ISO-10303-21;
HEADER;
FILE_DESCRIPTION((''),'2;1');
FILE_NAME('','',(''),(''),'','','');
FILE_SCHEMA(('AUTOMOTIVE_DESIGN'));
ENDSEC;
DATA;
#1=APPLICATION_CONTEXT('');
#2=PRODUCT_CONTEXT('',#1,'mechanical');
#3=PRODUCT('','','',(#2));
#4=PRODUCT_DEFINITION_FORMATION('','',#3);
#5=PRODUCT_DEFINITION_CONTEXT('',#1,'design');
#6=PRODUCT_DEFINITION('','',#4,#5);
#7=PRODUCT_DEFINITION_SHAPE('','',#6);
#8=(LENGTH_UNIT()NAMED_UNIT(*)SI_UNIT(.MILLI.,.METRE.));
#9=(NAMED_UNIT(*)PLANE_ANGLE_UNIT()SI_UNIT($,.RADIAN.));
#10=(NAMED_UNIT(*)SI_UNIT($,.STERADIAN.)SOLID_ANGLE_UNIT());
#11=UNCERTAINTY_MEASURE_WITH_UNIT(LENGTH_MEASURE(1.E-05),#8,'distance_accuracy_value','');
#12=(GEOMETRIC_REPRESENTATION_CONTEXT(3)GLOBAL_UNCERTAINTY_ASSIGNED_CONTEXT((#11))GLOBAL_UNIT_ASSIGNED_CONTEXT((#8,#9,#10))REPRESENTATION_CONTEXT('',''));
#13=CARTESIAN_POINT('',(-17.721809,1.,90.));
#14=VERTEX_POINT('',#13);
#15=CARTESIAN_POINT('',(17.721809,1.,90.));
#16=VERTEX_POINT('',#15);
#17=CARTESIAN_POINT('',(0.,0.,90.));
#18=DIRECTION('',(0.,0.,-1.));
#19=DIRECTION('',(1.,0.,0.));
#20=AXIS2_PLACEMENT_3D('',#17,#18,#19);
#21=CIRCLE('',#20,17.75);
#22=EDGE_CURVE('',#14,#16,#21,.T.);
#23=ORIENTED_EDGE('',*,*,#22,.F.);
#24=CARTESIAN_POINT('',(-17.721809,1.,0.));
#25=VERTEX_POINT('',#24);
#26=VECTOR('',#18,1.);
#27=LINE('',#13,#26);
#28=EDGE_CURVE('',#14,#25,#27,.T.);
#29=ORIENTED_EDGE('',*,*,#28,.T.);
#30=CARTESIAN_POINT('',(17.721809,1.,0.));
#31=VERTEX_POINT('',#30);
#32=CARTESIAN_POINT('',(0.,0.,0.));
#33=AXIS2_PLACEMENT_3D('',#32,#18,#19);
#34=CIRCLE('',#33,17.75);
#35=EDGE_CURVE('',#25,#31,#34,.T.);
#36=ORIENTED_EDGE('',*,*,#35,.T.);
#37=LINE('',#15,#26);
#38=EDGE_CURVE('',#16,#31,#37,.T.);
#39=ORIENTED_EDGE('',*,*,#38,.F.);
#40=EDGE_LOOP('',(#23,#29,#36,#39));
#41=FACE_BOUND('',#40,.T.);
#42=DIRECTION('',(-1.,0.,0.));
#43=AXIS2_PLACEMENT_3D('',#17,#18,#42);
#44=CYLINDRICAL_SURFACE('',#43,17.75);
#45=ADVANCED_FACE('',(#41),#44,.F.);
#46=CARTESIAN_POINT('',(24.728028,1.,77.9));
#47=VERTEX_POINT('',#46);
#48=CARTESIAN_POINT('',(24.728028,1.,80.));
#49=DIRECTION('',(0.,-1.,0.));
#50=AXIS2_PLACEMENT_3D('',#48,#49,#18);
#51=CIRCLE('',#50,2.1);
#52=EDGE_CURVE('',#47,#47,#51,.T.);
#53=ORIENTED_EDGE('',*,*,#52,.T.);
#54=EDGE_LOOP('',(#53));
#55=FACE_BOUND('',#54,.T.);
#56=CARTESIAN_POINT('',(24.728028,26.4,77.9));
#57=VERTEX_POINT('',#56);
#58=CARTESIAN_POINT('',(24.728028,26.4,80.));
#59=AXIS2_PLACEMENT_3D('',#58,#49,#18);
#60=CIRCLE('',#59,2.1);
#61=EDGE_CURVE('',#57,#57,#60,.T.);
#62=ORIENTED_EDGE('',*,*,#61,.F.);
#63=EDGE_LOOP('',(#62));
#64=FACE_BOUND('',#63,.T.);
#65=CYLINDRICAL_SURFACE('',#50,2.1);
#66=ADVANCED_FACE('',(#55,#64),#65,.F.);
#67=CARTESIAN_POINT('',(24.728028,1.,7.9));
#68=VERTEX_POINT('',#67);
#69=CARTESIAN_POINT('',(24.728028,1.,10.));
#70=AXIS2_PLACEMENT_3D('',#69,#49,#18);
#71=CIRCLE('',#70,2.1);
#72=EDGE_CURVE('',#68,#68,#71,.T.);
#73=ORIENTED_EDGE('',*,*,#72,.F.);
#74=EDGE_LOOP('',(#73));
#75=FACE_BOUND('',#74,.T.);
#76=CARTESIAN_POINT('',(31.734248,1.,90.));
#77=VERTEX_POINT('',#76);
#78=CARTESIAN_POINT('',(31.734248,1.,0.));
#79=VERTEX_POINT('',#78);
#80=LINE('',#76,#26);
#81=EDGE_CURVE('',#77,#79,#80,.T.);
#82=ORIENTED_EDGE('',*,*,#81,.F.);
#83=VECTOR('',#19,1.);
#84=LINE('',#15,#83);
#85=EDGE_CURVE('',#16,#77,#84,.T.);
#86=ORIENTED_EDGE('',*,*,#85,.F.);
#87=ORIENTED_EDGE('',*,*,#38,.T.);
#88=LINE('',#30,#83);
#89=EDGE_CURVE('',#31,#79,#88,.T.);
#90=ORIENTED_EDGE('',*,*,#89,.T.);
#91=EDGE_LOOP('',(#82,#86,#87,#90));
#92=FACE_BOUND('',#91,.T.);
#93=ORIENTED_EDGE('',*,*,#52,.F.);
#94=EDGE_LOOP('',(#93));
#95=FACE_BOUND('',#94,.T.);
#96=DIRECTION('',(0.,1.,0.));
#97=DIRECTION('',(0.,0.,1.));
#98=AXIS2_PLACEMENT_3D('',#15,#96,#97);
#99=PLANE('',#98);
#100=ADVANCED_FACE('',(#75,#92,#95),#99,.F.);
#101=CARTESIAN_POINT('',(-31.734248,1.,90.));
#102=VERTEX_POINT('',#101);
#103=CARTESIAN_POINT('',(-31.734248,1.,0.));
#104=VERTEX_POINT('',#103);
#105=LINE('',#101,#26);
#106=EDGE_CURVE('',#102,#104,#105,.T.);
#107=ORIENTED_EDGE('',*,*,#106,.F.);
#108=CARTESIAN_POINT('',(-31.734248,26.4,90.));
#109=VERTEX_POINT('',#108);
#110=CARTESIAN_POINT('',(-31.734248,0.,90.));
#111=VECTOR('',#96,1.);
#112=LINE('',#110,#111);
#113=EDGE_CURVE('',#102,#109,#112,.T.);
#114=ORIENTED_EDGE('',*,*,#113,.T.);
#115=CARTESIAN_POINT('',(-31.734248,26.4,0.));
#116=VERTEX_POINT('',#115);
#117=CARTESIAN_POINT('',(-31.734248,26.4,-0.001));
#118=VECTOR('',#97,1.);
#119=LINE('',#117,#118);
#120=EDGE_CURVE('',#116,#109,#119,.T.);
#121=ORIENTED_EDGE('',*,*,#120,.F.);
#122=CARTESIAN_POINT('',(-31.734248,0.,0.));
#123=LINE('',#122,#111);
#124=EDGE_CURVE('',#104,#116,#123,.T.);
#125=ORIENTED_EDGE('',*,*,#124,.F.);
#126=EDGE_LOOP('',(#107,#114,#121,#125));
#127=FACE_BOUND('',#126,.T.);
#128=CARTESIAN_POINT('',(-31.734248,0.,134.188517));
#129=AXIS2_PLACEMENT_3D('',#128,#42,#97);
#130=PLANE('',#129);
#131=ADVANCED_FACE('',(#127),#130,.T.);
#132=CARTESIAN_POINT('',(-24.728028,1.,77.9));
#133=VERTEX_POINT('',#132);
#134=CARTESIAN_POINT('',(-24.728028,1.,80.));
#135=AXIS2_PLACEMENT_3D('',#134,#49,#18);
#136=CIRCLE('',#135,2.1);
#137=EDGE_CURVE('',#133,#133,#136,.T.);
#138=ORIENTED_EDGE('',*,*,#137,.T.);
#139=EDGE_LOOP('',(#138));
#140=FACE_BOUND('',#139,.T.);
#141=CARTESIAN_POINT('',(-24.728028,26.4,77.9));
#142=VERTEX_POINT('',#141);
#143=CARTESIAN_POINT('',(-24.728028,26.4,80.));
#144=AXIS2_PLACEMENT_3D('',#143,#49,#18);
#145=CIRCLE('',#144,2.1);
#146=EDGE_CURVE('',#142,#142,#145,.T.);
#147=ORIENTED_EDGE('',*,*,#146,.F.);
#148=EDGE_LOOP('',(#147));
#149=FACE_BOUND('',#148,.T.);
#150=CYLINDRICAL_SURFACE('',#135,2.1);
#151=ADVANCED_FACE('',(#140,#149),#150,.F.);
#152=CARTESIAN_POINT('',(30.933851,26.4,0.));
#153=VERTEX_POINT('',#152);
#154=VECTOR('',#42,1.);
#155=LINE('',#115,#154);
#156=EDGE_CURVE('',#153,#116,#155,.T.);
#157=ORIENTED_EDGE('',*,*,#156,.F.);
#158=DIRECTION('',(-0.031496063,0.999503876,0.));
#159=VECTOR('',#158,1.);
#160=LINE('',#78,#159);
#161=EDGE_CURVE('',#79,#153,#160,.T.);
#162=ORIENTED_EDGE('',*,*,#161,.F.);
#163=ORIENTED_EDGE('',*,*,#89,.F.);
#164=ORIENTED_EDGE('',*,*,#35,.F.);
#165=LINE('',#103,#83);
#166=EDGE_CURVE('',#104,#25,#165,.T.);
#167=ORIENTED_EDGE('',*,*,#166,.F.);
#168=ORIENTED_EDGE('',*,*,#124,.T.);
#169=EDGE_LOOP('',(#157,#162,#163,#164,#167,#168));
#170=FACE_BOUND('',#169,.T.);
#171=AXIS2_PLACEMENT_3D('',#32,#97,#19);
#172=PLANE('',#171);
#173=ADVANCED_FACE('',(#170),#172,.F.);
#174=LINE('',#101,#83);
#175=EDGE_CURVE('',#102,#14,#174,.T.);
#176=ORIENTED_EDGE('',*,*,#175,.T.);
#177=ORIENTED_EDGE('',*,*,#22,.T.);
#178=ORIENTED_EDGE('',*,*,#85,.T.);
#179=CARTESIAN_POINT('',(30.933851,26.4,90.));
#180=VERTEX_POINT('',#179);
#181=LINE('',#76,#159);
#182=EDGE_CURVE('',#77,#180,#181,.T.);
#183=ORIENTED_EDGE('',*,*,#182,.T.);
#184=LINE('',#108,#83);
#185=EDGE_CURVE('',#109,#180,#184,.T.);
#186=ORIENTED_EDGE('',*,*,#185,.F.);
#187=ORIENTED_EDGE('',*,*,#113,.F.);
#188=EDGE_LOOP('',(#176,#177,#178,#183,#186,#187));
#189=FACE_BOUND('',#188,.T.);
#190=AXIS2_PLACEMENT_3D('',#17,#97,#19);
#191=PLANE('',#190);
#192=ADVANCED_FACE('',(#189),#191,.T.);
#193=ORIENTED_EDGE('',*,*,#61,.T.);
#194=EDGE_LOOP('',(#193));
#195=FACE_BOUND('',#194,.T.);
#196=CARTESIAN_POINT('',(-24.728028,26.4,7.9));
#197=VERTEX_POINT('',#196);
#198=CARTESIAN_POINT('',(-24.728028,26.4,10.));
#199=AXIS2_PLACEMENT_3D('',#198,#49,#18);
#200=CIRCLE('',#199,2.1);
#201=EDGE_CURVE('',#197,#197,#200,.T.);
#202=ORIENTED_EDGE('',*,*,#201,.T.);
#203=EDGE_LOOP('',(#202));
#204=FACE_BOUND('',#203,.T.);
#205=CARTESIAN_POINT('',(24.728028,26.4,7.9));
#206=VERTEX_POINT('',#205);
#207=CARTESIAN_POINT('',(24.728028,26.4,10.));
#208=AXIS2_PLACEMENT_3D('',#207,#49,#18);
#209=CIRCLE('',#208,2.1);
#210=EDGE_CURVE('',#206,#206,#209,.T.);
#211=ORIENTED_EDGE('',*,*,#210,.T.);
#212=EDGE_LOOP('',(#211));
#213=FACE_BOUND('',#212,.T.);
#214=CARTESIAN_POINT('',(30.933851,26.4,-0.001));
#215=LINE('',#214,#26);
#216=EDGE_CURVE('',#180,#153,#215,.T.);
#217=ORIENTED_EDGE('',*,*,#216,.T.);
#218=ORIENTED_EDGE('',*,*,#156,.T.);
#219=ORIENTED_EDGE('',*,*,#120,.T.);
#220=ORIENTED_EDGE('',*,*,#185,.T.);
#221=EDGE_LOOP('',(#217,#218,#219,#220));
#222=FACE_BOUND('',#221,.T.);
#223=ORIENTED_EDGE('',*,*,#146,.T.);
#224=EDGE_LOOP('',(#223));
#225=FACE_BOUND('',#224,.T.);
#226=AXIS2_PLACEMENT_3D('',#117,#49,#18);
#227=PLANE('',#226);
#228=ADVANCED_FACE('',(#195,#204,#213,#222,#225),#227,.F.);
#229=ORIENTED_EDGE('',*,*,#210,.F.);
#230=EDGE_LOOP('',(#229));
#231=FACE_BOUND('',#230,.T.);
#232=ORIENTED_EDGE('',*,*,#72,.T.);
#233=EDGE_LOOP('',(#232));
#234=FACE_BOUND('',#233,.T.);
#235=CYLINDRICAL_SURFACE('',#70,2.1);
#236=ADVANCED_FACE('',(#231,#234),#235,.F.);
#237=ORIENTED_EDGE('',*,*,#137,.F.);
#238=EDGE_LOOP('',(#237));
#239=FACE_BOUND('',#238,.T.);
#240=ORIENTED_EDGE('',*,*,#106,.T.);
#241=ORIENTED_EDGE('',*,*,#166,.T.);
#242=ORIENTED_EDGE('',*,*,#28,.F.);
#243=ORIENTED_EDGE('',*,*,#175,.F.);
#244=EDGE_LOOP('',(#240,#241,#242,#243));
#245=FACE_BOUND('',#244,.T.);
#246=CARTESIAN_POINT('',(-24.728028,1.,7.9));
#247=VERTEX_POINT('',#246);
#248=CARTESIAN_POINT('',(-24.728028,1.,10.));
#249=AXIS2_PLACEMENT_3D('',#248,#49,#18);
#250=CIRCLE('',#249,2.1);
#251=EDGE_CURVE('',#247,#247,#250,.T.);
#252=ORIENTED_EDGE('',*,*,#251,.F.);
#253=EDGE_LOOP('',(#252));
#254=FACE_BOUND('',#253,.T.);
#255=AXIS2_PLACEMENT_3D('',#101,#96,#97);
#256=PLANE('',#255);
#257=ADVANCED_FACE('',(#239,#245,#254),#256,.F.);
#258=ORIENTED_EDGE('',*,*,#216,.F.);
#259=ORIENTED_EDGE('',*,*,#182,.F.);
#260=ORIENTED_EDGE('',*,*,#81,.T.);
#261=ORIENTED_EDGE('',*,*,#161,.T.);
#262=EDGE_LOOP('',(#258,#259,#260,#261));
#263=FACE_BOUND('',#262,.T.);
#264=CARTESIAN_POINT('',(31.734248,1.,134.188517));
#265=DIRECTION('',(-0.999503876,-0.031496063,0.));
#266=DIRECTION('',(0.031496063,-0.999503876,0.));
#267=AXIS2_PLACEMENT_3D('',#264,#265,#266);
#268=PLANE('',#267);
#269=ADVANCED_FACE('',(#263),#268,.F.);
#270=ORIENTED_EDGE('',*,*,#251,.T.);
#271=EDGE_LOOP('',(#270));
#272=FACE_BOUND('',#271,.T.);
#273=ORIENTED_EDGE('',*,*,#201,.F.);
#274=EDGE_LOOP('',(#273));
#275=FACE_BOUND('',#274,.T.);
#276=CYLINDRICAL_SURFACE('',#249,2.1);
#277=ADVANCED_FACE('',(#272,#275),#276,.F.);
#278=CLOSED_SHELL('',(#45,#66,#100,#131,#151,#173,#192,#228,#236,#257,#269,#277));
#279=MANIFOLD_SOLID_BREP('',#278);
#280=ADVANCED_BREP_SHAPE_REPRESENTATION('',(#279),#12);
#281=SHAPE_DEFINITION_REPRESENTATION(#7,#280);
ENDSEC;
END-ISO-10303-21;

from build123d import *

# Parameters (mm, degrees)
BOSS_EXTRUDE1_DEPTH         = 90
BOSS_EXTRUDE2_DEPTH         = 90
CUT_EXTRUDE1_REACH          = 102.574
SKETCH5_W                   = 62.668099026
SKETCH5_H                   = 5.35
TAP_DRILL_FOR_M5X0_8_TAP1_D = 4.2


with BuildPart() as part:
    # Sketch1 → Boss-Extrude1 (new body)
    with BuildSketch(Plane.XY):
        with BuildLine():
            Line((-31.734248061, 1), (-17.721808598, 1))
            ThreePointArc((-17.721808598, 1), (0, 17.75), (17.721808598, 1))
            Line((17.721808598, 1), (31.734248061, 1))
            ThreePointArc((31.734248061, 1), (0, 31.75), (-31.734248061, 1))
        make_face()
    extrude(amount=BOSS_EXTRUDE1_DEPTH)

    # Sketch4 → Boss-Extrude2 (add)
    with BuildSketch(Plane(origin=(0, 0, 0), x_dir=(-1, 0, 0), z_dir=(0, 0, -1))):
        with BuildLine():
            Line((-30.765263387, 31.75), (-31.734248061, 1))
            ThreePointArc((-31.734248061, 1), (-22.094258304, 22.801452805), (0, 31.75))
            Line((0, 31.75), (-30.765263387, 31.75))
        make_face()
        with BuildLine():
            Line((31.734248061, 31.75), (0, 31.75))
            ThreePointArc((0, 31.75), (22.094258304, 22.801452805), (31.734248061, 1))
            Line((31.734248061, 1), (31.734248061, 31.75))
        make_face()
    extrude(amount=-BOSS_EXTRUDE2_DEPTH)

    # Sketch5 → Cut-Extrude1 (cut, up to next)
    with BuildSketch(Plane.XY.offset(90), mode=Mode.PRIVATE) as cut_extrude1_sk1:
        with Locations((-0.400198548, 29.075)):
            Rectangle(SKETCH5_W, SKETCH5_H)
    cut_extrude1_tool1 = extrude(cut_extrude1_sk1.sketch, amount=-CUT_EXTRUDE1_REACH, mode=Mode.PRIVATE) & part.part
    add(cut_extrude1_tool1.solids().sort_by_distance((-0.400199, 29.075, 90))[0], mode=Mode.SUBTRACT)

    # Tap Drill for M5x0.8 Tap1 (through all)
    with Locations(Plane(origin=(-24.72802833, 1, 80), x_dir=(0, 0, -1), z_dir=(0, -1, 0))):
        with Locations((0, 0), (70, 0), (0, 49.45605666), (70, 49.45605666)):
            Hole(TAP_DRILL_FOR_M5X0_8_TAP1_D / 2)


solid = part.part
